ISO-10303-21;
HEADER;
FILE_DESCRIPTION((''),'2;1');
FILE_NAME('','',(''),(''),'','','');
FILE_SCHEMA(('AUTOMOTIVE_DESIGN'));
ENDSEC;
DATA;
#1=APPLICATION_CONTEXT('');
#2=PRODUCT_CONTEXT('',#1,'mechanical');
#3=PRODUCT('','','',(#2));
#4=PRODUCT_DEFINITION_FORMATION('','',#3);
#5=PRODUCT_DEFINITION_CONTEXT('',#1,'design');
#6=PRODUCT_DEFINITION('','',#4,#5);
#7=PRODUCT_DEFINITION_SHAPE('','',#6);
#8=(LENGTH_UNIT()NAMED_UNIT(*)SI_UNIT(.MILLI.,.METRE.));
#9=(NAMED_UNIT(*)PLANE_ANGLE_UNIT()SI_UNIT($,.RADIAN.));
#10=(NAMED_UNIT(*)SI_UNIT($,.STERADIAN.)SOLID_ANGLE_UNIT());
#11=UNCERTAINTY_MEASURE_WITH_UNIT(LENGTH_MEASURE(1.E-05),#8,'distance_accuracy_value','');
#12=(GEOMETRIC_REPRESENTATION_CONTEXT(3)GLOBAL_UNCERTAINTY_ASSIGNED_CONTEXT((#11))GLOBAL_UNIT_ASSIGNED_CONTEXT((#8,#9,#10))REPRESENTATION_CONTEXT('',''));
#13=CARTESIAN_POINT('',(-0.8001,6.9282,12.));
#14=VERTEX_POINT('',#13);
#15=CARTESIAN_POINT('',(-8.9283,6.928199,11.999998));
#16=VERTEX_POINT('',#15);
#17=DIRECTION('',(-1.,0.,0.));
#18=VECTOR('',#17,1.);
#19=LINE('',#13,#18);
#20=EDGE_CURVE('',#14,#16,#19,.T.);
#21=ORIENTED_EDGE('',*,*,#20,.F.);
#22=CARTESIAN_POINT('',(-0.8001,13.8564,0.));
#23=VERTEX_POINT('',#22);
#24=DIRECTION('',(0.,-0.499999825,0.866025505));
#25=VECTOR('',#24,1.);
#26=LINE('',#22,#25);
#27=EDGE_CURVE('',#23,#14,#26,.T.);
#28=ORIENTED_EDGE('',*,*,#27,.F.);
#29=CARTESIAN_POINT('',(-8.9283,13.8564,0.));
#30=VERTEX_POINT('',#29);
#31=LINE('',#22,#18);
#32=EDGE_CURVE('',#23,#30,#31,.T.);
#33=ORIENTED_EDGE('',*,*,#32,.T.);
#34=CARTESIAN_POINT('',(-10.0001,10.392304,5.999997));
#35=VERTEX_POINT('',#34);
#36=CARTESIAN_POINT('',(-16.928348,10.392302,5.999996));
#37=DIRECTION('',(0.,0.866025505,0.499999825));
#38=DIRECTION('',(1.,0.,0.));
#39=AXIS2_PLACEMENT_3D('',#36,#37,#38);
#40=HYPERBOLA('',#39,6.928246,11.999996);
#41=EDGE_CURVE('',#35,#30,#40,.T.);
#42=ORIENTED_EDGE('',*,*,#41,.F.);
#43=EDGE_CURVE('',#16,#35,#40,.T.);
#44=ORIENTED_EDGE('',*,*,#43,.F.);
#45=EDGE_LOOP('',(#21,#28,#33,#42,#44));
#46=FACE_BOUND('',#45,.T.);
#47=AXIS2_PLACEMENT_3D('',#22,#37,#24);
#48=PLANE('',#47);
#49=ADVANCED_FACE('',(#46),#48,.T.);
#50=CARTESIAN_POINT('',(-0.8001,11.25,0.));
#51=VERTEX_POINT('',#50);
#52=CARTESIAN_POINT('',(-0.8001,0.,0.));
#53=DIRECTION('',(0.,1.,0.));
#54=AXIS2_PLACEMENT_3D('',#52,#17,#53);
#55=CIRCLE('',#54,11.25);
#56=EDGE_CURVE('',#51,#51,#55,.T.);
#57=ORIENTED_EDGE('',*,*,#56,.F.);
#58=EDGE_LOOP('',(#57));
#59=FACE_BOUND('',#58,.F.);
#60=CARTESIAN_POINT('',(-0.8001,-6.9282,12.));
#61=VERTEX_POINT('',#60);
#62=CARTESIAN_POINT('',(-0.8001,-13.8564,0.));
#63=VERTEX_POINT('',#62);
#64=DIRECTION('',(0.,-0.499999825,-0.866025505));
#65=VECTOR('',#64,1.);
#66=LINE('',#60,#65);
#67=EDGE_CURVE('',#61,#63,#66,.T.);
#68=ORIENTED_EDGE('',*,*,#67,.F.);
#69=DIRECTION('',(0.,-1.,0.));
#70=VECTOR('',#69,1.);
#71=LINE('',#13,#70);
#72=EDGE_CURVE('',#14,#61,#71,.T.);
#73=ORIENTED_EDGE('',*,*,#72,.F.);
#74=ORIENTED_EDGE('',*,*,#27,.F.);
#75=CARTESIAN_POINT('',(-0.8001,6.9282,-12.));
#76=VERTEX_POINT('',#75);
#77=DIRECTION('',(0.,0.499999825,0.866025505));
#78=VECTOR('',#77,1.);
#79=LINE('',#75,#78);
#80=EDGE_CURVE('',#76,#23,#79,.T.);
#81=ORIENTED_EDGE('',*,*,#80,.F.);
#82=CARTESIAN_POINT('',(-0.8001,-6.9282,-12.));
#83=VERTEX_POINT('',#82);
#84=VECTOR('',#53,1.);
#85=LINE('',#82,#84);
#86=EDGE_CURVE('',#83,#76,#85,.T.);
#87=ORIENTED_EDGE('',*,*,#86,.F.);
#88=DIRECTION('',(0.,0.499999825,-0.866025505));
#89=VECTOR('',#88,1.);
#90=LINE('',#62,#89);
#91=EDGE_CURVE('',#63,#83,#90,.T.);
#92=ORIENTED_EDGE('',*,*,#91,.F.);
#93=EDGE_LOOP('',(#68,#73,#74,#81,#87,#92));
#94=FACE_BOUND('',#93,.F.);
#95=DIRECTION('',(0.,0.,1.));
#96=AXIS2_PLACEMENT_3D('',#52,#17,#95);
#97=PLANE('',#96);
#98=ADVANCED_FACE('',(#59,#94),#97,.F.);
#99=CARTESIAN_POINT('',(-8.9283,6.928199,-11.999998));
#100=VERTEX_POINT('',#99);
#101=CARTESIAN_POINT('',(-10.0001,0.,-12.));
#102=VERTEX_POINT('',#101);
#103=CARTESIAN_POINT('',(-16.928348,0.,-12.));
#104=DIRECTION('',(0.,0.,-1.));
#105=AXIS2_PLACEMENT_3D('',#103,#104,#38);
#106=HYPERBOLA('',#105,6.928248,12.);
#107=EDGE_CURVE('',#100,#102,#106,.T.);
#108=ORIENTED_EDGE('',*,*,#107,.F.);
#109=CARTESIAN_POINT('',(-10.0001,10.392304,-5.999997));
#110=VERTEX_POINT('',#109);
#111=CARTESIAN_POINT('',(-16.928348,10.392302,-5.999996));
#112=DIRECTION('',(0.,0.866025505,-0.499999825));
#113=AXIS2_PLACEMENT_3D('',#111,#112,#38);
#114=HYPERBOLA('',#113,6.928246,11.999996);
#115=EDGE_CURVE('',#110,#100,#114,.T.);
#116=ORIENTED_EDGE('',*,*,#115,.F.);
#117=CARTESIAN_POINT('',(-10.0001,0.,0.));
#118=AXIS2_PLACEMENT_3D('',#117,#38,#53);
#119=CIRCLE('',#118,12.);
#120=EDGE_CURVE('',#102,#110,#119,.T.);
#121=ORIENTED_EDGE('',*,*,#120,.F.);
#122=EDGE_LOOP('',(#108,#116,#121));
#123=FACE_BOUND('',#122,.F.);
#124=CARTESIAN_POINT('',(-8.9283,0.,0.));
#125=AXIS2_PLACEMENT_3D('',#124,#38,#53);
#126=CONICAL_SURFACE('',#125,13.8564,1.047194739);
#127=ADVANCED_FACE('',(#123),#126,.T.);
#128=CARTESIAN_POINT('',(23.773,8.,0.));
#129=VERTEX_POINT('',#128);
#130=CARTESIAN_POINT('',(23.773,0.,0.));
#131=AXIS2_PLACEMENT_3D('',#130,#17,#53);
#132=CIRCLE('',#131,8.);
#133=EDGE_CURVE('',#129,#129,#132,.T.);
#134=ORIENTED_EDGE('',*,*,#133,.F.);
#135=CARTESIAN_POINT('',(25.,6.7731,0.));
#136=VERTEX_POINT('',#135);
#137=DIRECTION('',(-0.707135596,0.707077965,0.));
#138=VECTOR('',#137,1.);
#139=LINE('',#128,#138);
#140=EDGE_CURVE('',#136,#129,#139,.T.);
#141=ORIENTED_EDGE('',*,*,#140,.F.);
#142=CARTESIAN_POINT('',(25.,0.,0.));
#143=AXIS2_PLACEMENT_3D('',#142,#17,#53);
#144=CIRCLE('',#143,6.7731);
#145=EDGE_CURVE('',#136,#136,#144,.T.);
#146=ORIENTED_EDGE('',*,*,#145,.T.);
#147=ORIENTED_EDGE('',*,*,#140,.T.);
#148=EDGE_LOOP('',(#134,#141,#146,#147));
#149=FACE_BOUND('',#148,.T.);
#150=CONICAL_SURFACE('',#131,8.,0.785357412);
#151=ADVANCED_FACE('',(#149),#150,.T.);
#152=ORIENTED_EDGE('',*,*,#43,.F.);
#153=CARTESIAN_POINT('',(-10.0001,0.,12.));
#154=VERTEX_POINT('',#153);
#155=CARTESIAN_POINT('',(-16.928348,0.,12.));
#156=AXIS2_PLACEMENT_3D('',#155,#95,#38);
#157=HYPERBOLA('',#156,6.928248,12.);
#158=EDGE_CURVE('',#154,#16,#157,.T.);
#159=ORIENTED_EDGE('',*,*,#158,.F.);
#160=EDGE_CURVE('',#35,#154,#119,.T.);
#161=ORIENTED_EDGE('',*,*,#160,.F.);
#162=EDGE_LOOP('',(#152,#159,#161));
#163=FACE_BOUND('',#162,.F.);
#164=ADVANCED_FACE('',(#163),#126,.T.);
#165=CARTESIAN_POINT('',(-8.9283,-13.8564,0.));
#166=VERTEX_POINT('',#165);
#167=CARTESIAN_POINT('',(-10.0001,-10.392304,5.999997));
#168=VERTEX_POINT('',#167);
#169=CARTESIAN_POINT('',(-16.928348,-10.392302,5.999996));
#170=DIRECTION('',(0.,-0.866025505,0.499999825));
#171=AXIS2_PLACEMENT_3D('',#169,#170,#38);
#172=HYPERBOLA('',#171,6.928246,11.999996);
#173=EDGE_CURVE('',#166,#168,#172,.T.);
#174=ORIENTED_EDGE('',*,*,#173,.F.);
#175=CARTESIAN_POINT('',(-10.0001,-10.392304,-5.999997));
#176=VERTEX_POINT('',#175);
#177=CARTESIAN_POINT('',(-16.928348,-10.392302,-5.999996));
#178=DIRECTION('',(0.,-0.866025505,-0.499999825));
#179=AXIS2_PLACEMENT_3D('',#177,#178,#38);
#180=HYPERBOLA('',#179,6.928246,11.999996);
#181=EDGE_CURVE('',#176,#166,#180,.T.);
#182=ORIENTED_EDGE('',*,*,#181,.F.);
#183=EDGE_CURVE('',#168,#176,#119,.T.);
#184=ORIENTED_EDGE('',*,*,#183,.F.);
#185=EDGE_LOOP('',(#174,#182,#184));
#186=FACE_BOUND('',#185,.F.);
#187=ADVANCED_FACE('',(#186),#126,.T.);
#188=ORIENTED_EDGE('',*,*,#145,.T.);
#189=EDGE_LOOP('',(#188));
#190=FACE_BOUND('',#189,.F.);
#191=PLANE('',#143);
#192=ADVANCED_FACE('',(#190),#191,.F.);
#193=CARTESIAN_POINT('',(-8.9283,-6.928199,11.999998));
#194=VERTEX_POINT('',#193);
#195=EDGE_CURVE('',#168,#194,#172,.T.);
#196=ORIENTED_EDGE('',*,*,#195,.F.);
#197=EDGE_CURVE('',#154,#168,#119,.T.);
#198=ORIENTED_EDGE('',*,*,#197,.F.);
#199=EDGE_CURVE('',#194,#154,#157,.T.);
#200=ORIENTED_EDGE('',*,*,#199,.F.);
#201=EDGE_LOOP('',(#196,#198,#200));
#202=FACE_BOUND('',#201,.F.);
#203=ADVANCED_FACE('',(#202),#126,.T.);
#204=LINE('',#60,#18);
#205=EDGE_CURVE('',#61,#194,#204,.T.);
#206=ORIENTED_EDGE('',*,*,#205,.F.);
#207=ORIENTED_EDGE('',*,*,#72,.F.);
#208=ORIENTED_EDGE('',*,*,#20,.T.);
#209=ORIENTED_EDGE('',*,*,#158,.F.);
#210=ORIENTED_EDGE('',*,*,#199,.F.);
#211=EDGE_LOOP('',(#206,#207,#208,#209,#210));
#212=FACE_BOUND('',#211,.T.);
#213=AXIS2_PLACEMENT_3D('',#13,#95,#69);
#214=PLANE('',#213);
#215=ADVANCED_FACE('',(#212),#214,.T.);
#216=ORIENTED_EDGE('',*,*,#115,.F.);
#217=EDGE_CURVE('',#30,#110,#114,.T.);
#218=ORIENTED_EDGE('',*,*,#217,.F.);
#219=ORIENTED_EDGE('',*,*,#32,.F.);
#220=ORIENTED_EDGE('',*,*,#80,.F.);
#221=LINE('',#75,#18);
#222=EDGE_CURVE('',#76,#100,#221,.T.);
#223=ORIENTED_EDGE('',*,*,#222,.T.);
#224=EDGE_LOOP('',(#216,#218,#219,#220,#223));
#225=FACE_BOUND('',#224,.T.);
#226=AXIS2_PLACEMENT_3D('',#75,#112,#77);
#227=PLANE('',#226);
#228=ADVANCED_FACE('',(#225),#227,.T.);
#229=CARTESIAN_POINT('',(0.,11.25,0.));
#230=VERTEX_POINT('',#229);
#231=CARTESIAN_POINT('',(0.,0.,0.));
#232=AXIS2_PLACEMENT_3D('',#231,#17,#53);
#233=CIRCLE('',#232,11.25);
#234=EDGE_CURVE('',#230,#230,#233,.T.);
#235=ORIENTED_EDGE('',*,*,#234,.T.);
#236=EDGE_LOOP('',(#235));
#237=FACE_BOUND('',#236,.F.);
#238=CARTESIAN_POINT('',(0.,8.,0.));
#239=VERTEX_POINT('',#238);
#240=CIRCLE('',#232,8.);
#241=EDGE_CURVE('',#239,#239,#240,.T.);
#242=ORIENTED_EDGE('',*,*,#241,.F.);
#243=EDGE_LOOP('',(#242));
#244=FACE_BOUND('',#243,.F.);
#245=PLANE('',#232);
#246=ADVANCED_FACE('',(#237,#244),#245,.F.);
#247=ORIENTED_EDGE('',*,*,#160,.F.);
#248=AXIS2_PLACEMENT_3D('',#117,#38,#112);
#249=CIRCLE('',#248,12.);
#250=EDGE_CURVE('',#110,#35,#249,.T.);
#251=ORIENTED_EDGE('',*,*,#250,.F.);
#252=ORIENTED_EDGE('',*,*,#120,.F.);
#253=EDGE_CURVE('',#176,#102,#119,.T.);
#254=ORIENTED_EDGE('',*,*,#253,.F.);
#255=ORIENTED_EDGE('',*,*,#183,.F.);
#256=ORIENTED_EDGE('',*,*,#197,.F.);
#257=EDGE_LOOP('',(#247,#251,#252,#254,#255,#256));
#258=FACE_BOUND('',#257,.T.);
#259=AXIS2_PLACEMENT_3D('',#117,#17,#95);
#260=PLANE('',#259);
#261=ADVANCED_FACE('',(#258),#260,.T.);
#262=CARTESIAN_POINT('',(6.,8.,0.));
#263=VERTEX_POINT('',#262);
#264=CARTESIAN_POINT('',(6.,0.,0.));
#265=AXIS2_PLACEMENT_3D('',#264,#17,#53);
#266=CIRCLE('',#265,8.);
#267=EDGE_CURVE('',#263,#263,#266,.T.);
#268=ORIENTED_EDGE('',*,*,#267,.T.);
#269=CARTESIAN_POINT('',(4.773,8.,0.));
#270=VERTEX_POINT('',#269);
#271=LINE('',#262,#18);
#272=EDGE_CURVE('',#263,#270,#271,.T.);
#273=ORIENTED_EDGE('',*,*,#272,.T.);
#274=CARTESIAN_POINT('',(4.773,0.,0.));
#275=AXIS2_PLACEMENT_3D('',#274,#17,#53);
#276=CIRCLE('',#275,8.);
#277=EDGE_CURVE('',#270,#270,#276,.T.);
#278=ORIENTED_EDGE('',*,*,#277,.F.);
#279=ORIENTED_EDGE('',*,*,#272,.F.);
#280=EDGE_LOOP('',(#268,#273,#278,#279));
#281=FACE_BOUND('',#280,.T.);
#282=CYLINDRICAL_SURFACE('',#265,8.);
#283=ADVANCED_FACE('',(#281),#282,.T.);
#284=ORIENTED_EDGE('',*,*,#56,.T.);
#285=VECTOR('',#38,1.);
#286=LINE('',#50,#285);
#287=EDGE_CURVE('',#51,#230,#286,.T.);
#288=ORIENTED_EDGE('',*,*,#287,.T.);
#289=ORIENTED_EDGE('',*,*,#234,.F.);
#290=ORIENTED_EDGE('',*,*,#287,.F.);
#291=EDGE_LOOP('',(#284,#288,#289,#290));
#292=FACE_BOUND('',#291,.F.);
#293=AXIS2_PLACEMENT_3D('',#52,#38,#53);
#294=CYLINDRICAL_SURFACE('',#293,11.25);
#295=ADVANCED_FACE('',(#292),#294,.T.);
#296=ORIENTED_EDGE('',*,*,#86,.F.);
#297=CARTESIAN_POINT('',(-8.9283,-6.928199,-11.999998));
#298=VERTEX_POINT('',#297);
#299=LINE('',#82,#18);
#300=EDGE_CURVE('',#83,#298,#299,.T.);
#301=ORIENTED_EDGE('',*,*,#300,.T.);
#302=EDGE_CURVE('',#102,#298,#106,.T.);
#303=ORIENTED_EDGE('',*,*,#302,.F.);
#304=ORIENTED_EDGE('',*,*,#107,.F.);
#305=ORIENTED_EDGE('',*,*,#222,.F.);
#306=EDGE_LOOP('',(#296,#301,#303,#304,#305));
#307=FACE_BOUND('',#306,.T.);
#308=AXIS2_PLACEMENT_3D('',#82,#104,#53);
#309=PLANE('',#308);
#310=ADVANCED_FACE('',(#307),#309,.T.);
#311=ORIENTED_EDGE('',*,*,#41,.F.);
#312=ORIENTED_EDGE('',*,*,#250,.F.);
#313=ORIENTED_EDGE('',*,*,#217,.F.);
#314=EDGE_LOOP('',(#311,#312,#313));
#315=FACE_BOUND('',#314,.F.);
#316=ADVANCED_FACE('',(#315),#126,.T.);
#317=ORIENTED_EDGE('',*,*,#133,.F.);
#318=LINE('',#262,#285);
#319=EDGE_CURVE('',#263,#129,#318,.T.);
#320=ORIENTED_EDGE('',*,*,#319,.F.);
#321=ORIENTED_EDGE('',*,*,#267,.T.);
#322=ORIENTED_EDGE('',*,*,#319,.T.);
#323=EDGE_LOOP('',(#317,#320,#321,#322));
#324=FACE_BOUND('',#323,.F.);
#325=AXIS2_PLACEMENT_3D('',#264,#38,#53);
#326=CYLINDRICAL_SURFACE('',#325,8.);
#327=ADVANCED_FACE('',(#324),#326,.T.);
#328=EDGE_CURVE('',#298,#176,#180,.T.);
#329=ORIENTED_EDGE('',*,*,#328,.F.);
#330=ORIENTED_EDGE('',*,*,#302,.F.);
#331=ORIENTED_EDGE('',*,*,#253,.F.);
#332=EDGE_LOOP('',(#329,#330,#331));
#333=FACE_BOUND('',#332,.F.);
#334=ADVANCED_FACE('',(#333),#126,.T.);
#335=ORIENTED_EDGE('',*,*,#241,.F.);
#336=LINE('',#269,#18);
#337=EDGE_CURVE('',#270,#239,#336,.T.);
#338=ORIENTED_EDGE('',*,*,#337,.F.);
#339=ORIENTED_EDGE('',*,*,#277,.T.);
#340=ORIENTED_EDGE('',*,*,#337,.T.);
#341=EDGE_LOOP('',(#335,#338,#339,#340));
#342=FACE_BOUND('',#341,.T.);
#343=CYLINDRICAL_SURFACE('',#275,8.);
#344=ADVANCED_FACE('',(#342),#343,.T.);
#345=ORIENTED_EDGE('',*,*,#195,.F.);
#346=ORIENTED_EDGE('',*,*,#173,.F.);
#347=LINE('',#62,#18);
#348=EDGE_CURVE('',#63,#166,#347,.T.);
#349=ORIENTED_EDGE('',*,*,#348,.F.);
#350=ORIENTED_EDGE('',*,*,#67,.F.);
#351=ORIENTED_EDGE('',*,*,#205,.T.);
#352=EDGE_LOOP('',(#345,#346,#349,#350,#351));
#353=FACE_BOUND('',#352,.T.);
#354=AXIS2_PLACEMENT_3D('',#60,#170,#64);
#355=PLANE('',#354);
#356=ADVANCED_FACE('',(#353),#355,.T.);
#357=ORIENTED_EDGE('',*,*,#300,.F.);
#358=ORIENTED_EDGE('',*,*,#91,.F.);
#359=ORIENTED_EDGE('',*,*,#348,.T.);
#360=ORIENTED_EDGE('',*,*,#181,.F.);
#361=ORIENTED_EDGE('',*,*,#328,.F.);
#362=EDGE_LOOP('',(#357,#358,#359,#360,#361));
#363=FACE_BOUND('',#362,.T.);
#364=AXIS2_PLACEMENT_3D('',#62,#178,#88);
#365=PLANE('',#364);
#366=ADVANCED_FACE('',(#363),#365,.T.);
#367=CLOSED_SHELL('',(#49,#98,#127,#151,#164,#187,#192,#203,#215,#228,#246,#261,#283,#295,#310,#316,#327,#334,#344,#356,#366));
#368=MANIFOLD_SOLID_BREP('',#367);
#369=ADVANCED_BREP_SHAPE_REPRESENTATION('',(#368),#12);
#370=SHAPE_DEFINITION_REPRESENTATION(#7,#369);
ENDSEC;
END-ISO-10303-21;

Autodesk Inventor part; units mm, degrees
ref_plane "YZ Plane" through (0, 0, 0) normal (1, 0, 0) x (0, 1, 0)
ref_plane "XZ Plane" through (0, 0, 0) normal (0, 1, 0) x (-1, 0, 0)
sketch "Sketch1" plane through (0, 0, 0) normal (0, 0, 1) x (1, 0, 0)
  line L0 (0, 11.25) -> (0, 8)
  line L1 (6, 8) -> (25, 8)
  line L2 (25, 8) -> (25, 0)
  line L3 (25, 0) -> (-0.8001, 0)
  line L4 (-5.9601, 0) -> (30.16, 0) projected
  line L5 (-0.8001, 0) -> (-0.8001, 11.25)
  line L6 (-0.8001, 11.25) -> (0, 11.25)
  line L7 (6, 8) -> (4.773, 8)
  line L8 (4.773, 8) -> (0, 8)
  line L9 (0, -2.25) -> (0, 13.5) projected
  dimension "d0" = 25
  dimension "d1" = 19
  dimension "d2" = 16
  dimension "d9" = 0.8001
  dimension "d10" = 22.5
  dimension "d13" = 1.227
  dimension "d14" = 16
revolve "Body" add sketch "Sketch1" angle 360 about axis through (25, 0, 0) along (-1, 0, 0)
sketch "Sketch2" plane through (-0.8001, 0, 0) normal (-1, 0, 0) x (0, 0, 1)
  line L0 (0, 13.8564) -> (12, 6.9282)
  line L1 (12, 6.9282) -> (12, -6.9282)
  line L2 (12, -6.9282) -> (0, -13.8564)
  line L3 (0, -13.8564) -> (-12, -6.9282)
  line L4 (-12, -6.9282) -> (-12, 6.9282)
  line L5 (-12, 6.9282) -> (0, 13.8564)
  point P0 (0, 0)
  point P1 (0, 0)
  dimension "d11" = 24
extrude "Head" add sketch "Sketch2" along normal blind 9.2
sketch "Sketch4" plane through (0, 0, 0) normal (0, 0, 1) x (1, 0, 0)
  line L0 (-10.0001, 12) -> (-10.0001, 13.8564)
  line L1 (-10.0001, 13.8564) -> (-8.9283, 13.8564)
  line L2 (-8.9283, 13.8564) -> (-10.0001, 12)
  line L3 (-11.8401, 0) -> (1.0399, 0) projected
  line L4 (-0.8001, 13.8564) -> (-10.0001, 13.8564) projected
  line L5 (-10.0001, 6.9282) -> (-10.0001, 13.8564) projected
  dimension "d5" = 30
  dimension "d19" = 24
revolve "Chamfer1" cut sketch "Sketch4" angle 360 about axis through (-10, 0, 0) along (1, 0, 0)
thread "Thread" size "M16x2" class "6g" standard "ISO Metric profile" length 19
chamfer "Chamfer2" distance 1.2269 distance2 1.227 1 edges at (25, -8, 0) measured on face at (25, -1.5148, -1.342)
ref_plane "Work Plane1" through (1.525, 0, 0) normal (0, 0, 1) x (1, 0, 0)
equation "\"d0\" = NLG"
equation "\"d1\" = GEL"
equation "\"d2\" = GD"
equation "\"d10\" = SD2"
equation "\"d14\" = BDM"
equation "\"d11\" = SW"
equation "\"d3\" = KOH - SD"
equation "\"d5\" = ANG1"
equation "\"d19\" = SW0"
equation "\"d15\" = GEL"
equation "\"d6\" = -0.5 * SPD + 0.5 * GD"
equation "\"NLG\" = 25"
equation "\"GD\" = NND"
equation "\"BDM\" = NND"
equation "\"KOH\" = 10"
equation "\"GEL\" = 19"
equation "\"SW\" = 24"
equation "\"SW0\" = SW"
equation "\"SPD\" = NND - 1.2269 * PTC"
equation "\"SD2\" = SDH"
equation "\"SD\" = 0.8"
equation "\"ANG1\" = 30deg"
equation "\"GAL\" = 0.61345 * PTC"
equation "\"GUL\" = 0.61345 * PTC"
equation "\"RR\" = 0.6"
equation "\"WFT\" = SD"
equation "\"GD1\" = THREADDIA - 1.2269 * PTC"
equation "\"THREADDIA\" = 16"
equation "\"SDH\" = 22.5"
equation "\"SDHG\" = GAL"
equation "\"TOA\" = 30deg"
equation "\"FAWI\" = 45deg"
equation "\"PTC\" = 2"
equation "\"NND\" = 16"
equation "\"E0\" = 1.155 * SW"
properties part number "Bolt M16x25-8.8-A PN-85/M-82105" material "Steel, Mild"
